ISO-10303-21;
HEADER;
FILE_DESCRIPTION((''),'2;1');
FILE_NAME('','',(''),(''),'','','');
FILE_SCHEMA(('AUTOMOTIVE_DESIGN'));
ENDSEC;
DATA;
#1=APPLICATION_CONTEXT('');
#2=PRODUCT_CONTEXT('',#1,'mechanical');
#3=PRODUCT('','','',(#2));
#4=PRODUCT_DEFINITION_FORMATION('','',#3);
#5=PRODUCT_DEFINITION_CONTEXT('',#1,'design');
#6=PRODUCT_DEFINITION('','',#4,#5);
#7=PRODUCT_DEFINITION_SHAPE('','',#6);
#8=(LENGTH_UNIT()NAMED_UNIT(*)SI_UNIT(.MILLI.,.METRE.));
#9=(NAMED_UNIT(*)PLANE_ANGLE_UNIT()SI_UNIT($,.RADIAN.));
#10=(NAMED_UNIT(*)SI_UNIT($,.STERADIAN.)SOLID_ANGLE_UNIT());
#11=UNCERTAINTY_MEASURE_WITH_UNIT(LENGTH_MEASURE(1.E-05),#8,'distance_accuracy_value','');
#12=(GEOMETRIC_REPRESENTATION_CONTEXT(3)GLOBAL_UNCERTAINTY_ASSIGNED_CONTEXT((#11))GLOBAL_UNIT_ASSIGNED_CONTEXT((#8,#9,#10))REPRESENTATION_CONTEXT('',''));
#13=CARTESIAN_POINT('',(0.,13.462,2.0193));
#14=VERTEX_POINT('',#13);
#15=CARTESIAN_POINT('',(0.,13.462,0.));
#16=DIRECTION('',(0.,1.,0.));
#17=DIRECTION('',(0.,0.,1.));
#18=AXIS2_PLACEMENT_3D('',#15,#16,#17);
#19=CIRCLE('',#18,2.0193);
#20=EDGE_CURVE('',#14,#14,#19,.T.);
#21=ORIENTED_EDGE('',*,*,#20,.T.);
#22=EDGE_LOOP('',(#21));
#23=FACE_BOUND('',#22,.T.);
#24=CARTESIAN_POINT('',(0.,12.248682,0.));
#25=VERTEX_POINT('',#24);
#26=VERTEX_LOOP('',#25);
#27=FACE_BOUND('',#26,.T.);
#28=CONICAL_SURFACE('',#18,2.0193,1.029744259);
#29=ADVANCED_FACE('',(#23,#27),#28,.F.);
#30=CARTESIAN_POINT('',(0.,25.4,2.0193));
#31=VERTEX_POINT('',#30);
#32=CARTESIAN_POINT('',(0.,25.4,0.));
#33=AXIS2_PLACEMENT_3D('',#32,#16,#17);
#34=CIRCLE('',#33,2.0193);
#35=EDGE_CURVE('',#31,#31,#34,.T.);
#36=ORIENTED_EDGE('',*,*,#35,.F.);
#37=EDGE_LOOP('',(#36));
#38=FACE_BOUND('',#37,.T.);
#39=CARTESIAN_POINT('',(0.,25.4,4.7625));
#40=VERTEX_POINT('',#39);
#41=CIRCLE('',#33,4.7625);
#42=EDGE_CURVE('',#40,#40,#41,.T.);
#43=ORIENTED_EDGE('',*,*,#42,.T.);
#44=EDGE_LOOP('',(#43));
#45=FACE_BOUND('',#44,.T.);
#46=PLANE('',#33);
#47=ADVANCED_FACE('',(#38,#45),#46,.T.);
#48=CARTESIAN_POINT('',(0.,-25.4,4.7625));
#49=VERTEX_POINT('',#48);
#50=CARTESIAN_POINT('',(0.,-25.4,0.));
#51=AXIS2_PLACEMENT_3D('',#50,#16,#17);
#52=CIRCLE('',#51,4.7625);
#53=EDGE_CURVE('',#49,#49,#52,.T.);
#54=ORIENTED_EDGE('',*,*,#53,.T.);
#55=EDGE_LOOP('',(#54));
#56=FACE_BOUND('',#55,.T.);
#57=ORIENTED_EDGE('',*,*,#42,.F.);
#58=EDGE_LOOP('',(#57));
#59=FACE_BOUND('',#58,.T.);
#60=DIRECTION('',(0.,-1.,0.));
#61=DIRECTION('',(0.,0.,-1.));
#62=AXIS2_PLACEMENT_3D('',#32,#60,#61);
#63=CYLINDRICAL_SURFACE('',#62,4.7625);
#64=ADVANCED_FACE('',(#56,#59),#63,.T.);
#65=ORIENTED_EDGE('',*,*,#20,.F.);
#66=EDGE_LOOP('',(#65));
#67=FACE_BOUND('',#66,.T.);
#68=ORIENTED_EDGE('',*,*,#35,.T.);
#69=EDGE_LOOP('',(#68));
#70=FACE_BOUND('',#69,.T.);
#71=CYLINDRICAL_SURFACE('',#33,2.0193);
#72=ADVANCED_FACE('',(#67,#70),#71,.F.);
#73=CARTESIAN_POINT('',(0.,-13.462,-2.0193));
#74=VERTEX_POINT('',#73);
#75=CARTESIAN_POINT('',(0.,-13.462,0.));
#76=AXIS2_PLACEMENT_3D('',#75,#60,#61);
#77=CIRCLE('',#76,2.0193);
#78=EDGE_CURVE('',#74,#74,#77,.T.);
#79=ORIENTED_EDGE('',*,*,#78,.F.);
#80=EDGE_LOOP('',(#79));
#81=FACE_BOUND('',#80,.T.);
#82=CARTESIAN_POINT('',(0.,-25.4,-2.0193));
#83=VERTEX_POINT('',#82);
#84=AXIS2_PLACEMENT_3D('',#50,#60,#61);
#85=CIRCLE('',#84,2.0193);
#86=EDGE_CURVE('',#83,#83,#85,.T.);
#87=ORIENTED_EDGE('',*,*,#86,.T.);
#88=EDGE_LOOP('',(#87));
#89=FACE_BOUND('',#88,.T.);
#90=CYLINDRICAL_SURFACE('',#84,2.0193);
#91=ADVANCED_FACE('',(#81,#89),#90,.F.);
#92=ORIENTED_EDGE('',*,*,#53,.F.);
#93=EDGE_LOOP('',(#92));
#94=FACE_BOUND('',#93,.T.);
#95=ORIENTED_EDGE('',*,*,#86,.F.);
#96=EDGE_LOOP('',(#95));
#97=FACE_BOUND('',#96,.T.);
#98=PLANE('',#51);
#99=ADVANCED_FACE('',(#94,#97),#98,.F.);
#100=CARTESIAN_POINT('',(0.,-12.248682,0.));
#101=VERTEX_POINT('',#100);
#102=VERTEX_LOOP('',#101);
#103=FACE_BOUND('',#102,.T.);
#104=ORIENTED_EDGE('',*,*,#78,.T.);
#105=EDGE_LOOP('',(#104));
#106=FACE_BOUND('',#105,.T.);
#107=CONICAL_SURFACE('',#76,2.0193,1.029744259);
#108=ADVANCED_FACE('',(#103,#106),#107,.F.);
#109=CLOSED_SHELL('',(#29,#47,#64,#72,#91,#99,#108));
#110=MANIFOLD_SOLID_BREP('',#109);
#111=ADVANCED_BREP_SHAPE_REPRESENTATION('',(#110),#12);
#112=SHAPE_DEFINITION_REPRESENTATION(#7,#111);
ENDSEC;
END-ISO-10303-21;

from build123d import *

# Parameters (mm, degrees)
SKETCH1_R                            = 4.7625
BOSS_EXTRUDE1_DEPTH                  = 25.4
F_10_32_TAPPED_HOLE1_D               = 4.0386
F_10_32_TAPPED_HOLE1_DEPTH           = 11.938
F_10_32_TAPPED_HOLE1_TIP             = 1.213317848
F_10_32_TAPPED_HOLE1_ON_FACE_2_D     = 4.0386
F_10_32_TAPPED_HOLE1_ON_FACE_2_DEPTH = 11.938
F_10_32_TAPPED_HOLE1_ON_FACE_2_TIP   = 1.213317848


with BuildPart() as part:
    # Sketch1 → Boss-Extrude1 (new, symmetric)
    with BuildSketch(Plane(origin=(0, 0, 0), x_dir=(1, 0, 0), z_dir=(0, 1, 0))):
        with Locations(Location((0, 0, 0), (0, 0, 270))):
            Circle(SKETCH1_R)
    extrude(amount=BOSS_EXTRUDE1_DEPTH, both=True)

    # #10-32 Tapped Hole1
    with Locations(Plane(origin=(0, -25.4, 0), x_dir=(0, 0, -1), z_dir=(0, -1, 0))):
        with Locations((0, 0)):
            Hole(F_10_32_TAPPED_HOLE1_D / 2, depth=F_10_32_TAPPED_HOLE1_DEPTH)
            with Locations((0, 0, -(F_10_32_TAPPED_HOLE1_DEPTH + F_10_32_TAPPED_HOLE1_TIP / 2))):  # 118° drill point
                Cone(0, F_10_32_TAPPED_HOLE1_D / 2, F_10_32_TAPPED_HOLE1_TIP, mode=Mode.SUBTRACT)

    # #10-32 Tapped Hole1 on face 2
    with Locations(Plane.ZX.offset(25.4)):
        with Locations((0, 0)):
            Hole(F_10_32_TAPPED_HOLE1_ON_FACE_2_D / 2, depth=F_10_32_TAPPED_HOLE1_ON_FACE_2_DEPTH)
            with Locations((0, 0, -(F_10_32_TAPPED_HOLE1_ON_FACE_2_DEPTH + F_10_32_TAPPED_HOLE1_ON_FACE_2_TIP / 2))):  # 118° drill point
                Cone(0, F_10_32_TAPPED_HOLE1_ON_FACE_2_D / 2, F_10_32_TAPPED_HOLE1_ON_FACE_2_TIP, mode=Mode.SUBTRACT)


solid = part.part
